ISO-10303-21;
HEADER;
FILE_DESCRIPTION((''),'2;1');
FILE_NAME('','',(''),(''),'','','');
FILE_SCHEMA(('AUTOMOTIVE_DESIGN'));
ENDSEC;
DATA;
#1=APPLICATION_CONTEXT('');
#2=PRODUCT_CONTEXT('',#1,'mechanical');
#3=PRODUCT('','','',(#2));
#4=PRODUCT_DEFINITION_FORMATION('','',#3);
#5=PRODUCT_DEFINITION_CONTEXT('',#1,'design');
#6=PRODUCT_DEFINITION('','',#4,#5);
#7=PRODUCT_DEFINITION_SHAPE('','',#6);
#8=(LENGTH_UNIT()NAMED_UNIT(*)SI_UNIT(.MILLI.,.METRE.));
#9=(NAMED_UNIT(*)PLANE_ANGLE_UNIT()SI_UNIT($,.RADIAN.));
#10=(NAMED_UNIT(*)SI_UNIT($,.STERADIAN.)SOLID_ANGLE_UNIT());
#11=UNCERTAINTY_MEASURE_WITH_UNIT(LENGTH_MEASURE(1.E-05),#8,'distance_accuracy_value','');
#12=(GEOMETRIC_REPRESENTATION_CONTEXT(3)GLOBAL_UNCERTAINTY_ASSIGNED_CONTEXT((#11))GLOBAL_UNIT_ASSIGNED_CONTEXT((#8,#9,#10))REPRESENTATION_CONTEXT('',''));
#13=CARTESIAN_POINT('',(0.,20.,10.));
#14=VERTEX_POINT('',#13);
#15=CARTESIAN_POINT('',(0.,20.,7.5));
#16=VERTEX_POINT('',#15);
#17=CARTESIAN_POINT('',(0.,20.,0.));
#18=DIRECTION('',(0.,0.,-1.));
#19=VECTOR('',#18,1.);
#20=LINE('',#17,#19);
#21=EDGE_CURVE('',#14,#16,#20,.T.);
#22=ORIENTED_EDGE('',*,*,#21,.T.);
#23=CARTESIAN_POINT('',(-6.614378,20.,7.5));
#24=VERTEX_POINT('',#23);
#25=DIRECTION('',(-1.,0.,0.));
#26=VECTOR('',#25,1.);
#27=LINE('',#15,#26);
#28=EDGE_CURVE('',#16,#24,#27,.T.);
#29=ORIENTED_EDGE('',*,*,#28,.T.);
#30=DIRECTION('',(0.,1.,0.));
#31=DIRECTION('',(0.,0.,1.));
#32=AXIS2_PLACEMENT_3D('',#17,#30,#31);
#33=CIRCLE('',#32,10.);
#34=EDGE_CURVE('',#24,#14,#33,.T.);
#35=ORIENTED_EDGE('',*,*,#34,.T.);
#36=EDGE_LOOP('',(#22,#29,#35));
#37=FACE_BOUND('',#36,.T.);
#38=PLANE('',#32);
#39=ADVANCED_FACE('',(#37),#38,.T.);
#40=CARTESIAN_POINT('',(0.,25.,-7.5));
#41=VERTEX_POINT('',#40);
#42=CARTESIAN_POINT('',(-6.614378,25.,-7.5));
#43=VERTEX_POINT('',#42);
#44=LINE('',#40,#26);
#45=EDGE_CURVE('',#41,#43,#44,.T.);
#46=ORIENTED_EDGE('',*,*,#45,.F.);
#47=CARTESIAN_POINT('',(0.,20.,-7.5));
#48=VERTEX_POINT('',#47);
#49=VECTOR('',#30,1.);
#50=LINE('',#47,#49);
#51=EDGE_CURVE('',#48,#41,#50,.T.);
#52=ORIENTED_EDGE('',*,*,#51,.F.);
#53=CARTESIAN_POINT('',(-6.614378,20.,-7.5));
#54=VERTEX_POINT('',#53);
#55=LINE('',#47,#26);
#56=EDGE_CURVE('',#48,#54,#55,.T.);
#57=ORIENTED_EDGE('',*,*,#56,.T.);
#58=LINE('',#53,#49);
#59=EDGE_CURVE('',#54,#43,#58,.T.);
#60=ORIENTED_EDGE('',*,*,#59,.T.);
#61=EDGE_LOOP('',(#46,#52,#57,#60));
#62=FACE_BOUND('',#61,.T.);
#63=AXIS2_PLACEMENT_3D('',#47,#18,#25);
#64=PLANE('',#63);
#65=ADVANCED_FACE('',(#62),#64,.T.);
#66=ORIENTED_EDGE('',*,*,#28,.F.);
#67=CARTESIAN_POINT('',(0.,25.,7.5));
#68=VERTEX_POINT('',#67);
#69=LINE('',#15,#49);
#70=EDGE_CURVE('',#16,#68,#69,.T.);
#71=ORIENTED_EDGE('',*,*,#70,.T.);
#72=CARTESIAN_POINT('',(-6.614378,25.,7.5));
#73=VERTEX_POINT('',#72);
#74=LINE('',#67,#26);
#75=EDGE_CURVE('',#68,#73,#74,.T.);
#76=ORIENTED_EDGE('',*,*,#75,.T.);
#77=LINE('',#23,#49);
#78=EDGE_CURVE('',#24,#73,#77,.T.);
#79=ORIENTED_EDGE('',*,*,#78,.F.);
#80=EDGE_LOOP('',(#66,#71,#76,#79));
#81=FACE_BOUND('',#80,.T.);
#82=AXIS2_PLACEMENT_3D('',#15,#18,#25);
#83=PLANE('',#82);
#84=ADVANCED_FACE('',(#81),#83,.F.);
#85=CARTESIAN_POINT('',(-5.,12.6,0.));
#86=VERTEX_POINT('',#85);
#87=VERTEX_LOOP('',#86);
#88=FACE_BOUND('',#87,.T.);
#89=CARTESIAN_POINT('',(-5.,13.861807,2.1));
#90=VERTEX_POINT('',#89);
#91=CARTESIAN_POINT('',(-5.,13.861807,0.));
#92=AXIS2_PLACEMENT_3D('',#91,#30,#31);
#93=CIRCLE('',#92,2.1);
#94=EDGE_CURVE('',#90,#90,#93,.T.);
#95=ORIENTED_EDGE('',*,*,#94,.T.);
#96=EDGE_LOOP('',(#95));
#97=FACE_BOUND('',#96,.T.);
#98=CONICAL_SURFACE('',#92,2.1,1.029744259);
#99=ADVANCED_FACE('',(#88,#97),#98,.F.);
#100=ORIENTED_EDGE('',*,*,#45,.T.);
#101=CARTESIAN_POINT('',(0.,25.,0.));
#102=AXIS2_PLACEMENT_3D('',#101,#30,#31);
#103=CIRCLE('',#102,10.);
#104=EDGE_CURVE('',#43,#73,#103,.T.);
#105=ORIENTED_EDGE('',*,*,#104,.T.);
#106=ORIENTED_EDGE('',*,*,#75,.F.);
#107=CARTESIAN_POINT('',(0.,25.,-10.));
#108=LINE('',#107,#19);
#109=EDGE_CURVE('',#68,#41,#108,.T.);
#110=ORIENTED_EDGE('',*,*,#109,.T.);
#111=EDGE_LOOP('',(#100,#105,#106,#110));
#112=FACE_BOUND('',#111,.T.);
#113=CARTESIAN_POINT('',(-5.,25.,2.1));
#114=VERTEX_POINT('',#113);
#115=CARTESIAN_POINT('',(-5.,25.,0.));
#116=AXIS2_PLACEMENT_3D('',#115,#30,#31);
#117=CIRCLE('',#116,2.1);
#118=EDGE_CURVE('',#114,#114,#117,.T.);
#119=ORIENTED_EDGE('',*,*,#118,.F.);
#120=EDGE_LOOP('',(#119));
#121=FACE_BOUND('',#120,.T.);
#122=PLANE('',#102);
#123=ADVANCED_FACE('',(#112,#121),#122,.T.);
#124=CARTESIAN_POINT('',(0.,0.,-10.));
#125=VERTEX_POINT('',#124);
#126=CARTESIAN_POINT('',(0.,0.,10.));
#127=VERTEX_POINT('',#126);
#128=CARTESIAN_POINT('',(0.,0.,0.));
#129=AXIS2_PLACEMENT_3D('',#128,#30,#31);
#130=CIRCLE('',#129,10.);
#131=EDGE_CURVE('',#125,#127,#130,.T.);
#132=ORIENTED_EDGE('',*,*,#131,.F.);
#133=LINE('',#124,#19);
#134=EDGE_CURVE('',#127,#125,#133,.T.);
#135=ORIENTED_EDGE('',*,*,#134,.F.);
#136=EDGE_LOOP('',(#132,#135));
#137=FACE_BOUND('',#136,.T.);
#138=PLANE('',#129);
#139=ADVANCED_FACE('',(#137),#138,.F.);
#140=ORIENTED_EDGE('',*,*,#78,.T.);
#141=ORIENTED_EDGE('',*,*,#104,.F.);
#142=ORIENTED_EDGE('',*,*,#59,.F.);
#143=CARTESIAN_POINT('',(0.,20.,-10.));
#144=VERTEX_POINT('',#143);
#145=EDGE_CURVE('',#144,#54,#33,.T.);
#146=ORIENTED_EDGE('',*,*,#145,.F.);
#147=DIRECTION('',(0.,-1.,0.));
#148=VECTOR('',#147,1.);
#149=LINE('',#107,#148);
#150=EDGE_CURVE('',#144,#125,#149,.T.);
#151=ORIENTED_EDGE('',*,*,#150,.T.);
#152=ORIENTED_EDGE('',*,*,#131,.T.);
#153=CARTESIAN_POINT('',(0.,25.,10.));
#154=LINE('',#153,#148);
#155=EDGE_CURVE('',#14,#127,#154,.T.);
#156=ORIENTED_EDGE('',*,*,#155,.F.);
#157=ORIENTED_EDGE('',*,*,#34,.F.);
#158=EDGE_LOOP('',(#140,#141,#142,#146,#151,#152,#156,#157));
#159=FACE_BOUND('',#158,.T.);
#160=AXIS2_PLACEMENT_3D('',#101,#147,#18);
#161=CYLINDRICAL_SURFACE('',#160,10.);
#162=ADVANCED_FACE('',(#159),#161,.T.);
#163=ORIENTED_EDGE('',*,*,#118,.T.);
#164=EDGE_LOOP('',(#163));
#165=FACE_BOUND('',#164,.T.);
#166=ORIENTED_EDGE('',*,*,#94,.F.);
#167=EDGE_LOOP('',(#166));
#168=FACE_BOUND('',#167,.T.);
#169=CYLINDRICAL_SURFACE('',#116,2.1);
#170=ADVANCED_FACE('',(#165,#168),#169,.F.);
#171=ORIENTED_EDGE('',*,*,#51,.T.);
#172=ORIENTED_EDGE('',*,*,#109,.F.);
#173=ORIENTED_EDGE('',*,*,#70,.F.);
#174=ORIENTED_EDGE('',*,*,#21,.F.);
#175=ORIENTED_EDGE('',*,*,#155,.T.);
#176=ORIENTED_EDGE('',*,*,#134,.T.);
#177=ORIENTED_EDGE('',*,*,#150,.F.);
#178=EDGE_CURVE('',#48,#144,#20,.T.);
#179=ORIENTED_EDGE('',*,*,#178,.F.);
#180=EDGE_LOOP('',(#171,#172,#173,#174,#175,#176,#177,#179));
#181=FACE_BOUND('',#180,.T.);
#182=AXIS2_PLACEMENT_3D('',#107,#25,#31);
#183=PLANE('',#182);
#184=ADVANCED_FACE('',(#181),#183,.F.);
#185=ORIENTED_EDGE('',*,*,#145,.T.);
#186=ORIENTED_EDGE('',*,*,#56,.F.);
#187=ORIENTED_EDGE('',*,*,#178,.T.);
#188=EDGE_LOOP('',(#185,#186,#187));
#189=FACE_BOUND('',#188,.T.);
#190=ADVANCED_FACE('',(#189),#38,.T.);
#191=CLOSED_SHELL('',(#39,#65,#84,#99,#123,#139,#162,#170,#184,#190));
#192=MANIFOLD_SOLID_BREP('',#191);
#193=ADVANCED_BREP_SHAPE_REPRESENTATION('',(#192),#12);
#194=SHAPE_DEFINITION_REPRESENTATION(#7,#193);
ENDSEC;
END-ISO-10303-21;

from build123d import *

# Parameters (mm, degrees)
BOSS_EXTRUDE1_DEPTH   = 25
CUT_EXTRUDE1_DEPTH    = 5
M5_TAPPED_HOLE1_D     = 4.2
M5_TAPPED_HOLE1_DEPTH = 11.1381927
M5_TAPPED_HOLE1_TIP   = 1.2618073


with BuildPart() as part:
    # Sketch1 → Boss-Extrude1 (new body)
    with BuildSketch(Plane(origin=(0, 0, 0), x_dir=(1, 0, 0), z_dir=(0, 1, 0))):
        with BuildLine():
            Line((0, 10), (0, -10))
            ThreePointArc((0, -10), (-10, 0), (0, 10))
        make_face()
    extrude(amount=BOSS_EXTRUDE1_DEPTH)

    # Sketch18 → Cut-Extrude1 (cut)
    with BuildSketch(Plane(origin=(0, 25, 0), x_dir=(1, 0, 0), z_dir=(0, 1, 0))):
        with BuildLine():
            Line((0, 7.5), (0, 10))
            ThreePointArc((0, 10), (-3.535533906, 9.354143467), (-6.614378278, 7.5))
            Line((-6.614378278, 7.5), (0, 7.5))
        make_face()
        with BuildLine():
            Line((0, -10), (0, -7.5))
            Line((0, -7.5), (-6.614378278, -7.5))
            ThreePointArc((-6.614378278, -7.5), (-3.535533906, -9.354143467), (0, -10))
        make_face()
    extrude(amount=-CUT_EXTRUDE1_DEPTH, mode=Mode.SUBTRACT)

    # M5 Tapped Hole1
    with Locations(Plane(origin=(0, 25, 0), x_dir=(1, 0, 0), z_dir=(0, 1, 0))):
        with Locations((-5, 0)):
            Hole(M5_TAPPED_HOLE1_D / 2, depth=M5_TAPPED_HOLE1_DEPTH)
            with Locations((0, 0, -(M5_TAPPED_HOLE1_DEPTH + M5_TAPPED_HOLE1_TIP / 2))):  # 118° drill point
                Cone(0, M5_TAPPED_HOLE1_D / 2, M5_TAPPED_HOLE1_TIP, mode=Mode.SUBTRACT)


solid = part.part
